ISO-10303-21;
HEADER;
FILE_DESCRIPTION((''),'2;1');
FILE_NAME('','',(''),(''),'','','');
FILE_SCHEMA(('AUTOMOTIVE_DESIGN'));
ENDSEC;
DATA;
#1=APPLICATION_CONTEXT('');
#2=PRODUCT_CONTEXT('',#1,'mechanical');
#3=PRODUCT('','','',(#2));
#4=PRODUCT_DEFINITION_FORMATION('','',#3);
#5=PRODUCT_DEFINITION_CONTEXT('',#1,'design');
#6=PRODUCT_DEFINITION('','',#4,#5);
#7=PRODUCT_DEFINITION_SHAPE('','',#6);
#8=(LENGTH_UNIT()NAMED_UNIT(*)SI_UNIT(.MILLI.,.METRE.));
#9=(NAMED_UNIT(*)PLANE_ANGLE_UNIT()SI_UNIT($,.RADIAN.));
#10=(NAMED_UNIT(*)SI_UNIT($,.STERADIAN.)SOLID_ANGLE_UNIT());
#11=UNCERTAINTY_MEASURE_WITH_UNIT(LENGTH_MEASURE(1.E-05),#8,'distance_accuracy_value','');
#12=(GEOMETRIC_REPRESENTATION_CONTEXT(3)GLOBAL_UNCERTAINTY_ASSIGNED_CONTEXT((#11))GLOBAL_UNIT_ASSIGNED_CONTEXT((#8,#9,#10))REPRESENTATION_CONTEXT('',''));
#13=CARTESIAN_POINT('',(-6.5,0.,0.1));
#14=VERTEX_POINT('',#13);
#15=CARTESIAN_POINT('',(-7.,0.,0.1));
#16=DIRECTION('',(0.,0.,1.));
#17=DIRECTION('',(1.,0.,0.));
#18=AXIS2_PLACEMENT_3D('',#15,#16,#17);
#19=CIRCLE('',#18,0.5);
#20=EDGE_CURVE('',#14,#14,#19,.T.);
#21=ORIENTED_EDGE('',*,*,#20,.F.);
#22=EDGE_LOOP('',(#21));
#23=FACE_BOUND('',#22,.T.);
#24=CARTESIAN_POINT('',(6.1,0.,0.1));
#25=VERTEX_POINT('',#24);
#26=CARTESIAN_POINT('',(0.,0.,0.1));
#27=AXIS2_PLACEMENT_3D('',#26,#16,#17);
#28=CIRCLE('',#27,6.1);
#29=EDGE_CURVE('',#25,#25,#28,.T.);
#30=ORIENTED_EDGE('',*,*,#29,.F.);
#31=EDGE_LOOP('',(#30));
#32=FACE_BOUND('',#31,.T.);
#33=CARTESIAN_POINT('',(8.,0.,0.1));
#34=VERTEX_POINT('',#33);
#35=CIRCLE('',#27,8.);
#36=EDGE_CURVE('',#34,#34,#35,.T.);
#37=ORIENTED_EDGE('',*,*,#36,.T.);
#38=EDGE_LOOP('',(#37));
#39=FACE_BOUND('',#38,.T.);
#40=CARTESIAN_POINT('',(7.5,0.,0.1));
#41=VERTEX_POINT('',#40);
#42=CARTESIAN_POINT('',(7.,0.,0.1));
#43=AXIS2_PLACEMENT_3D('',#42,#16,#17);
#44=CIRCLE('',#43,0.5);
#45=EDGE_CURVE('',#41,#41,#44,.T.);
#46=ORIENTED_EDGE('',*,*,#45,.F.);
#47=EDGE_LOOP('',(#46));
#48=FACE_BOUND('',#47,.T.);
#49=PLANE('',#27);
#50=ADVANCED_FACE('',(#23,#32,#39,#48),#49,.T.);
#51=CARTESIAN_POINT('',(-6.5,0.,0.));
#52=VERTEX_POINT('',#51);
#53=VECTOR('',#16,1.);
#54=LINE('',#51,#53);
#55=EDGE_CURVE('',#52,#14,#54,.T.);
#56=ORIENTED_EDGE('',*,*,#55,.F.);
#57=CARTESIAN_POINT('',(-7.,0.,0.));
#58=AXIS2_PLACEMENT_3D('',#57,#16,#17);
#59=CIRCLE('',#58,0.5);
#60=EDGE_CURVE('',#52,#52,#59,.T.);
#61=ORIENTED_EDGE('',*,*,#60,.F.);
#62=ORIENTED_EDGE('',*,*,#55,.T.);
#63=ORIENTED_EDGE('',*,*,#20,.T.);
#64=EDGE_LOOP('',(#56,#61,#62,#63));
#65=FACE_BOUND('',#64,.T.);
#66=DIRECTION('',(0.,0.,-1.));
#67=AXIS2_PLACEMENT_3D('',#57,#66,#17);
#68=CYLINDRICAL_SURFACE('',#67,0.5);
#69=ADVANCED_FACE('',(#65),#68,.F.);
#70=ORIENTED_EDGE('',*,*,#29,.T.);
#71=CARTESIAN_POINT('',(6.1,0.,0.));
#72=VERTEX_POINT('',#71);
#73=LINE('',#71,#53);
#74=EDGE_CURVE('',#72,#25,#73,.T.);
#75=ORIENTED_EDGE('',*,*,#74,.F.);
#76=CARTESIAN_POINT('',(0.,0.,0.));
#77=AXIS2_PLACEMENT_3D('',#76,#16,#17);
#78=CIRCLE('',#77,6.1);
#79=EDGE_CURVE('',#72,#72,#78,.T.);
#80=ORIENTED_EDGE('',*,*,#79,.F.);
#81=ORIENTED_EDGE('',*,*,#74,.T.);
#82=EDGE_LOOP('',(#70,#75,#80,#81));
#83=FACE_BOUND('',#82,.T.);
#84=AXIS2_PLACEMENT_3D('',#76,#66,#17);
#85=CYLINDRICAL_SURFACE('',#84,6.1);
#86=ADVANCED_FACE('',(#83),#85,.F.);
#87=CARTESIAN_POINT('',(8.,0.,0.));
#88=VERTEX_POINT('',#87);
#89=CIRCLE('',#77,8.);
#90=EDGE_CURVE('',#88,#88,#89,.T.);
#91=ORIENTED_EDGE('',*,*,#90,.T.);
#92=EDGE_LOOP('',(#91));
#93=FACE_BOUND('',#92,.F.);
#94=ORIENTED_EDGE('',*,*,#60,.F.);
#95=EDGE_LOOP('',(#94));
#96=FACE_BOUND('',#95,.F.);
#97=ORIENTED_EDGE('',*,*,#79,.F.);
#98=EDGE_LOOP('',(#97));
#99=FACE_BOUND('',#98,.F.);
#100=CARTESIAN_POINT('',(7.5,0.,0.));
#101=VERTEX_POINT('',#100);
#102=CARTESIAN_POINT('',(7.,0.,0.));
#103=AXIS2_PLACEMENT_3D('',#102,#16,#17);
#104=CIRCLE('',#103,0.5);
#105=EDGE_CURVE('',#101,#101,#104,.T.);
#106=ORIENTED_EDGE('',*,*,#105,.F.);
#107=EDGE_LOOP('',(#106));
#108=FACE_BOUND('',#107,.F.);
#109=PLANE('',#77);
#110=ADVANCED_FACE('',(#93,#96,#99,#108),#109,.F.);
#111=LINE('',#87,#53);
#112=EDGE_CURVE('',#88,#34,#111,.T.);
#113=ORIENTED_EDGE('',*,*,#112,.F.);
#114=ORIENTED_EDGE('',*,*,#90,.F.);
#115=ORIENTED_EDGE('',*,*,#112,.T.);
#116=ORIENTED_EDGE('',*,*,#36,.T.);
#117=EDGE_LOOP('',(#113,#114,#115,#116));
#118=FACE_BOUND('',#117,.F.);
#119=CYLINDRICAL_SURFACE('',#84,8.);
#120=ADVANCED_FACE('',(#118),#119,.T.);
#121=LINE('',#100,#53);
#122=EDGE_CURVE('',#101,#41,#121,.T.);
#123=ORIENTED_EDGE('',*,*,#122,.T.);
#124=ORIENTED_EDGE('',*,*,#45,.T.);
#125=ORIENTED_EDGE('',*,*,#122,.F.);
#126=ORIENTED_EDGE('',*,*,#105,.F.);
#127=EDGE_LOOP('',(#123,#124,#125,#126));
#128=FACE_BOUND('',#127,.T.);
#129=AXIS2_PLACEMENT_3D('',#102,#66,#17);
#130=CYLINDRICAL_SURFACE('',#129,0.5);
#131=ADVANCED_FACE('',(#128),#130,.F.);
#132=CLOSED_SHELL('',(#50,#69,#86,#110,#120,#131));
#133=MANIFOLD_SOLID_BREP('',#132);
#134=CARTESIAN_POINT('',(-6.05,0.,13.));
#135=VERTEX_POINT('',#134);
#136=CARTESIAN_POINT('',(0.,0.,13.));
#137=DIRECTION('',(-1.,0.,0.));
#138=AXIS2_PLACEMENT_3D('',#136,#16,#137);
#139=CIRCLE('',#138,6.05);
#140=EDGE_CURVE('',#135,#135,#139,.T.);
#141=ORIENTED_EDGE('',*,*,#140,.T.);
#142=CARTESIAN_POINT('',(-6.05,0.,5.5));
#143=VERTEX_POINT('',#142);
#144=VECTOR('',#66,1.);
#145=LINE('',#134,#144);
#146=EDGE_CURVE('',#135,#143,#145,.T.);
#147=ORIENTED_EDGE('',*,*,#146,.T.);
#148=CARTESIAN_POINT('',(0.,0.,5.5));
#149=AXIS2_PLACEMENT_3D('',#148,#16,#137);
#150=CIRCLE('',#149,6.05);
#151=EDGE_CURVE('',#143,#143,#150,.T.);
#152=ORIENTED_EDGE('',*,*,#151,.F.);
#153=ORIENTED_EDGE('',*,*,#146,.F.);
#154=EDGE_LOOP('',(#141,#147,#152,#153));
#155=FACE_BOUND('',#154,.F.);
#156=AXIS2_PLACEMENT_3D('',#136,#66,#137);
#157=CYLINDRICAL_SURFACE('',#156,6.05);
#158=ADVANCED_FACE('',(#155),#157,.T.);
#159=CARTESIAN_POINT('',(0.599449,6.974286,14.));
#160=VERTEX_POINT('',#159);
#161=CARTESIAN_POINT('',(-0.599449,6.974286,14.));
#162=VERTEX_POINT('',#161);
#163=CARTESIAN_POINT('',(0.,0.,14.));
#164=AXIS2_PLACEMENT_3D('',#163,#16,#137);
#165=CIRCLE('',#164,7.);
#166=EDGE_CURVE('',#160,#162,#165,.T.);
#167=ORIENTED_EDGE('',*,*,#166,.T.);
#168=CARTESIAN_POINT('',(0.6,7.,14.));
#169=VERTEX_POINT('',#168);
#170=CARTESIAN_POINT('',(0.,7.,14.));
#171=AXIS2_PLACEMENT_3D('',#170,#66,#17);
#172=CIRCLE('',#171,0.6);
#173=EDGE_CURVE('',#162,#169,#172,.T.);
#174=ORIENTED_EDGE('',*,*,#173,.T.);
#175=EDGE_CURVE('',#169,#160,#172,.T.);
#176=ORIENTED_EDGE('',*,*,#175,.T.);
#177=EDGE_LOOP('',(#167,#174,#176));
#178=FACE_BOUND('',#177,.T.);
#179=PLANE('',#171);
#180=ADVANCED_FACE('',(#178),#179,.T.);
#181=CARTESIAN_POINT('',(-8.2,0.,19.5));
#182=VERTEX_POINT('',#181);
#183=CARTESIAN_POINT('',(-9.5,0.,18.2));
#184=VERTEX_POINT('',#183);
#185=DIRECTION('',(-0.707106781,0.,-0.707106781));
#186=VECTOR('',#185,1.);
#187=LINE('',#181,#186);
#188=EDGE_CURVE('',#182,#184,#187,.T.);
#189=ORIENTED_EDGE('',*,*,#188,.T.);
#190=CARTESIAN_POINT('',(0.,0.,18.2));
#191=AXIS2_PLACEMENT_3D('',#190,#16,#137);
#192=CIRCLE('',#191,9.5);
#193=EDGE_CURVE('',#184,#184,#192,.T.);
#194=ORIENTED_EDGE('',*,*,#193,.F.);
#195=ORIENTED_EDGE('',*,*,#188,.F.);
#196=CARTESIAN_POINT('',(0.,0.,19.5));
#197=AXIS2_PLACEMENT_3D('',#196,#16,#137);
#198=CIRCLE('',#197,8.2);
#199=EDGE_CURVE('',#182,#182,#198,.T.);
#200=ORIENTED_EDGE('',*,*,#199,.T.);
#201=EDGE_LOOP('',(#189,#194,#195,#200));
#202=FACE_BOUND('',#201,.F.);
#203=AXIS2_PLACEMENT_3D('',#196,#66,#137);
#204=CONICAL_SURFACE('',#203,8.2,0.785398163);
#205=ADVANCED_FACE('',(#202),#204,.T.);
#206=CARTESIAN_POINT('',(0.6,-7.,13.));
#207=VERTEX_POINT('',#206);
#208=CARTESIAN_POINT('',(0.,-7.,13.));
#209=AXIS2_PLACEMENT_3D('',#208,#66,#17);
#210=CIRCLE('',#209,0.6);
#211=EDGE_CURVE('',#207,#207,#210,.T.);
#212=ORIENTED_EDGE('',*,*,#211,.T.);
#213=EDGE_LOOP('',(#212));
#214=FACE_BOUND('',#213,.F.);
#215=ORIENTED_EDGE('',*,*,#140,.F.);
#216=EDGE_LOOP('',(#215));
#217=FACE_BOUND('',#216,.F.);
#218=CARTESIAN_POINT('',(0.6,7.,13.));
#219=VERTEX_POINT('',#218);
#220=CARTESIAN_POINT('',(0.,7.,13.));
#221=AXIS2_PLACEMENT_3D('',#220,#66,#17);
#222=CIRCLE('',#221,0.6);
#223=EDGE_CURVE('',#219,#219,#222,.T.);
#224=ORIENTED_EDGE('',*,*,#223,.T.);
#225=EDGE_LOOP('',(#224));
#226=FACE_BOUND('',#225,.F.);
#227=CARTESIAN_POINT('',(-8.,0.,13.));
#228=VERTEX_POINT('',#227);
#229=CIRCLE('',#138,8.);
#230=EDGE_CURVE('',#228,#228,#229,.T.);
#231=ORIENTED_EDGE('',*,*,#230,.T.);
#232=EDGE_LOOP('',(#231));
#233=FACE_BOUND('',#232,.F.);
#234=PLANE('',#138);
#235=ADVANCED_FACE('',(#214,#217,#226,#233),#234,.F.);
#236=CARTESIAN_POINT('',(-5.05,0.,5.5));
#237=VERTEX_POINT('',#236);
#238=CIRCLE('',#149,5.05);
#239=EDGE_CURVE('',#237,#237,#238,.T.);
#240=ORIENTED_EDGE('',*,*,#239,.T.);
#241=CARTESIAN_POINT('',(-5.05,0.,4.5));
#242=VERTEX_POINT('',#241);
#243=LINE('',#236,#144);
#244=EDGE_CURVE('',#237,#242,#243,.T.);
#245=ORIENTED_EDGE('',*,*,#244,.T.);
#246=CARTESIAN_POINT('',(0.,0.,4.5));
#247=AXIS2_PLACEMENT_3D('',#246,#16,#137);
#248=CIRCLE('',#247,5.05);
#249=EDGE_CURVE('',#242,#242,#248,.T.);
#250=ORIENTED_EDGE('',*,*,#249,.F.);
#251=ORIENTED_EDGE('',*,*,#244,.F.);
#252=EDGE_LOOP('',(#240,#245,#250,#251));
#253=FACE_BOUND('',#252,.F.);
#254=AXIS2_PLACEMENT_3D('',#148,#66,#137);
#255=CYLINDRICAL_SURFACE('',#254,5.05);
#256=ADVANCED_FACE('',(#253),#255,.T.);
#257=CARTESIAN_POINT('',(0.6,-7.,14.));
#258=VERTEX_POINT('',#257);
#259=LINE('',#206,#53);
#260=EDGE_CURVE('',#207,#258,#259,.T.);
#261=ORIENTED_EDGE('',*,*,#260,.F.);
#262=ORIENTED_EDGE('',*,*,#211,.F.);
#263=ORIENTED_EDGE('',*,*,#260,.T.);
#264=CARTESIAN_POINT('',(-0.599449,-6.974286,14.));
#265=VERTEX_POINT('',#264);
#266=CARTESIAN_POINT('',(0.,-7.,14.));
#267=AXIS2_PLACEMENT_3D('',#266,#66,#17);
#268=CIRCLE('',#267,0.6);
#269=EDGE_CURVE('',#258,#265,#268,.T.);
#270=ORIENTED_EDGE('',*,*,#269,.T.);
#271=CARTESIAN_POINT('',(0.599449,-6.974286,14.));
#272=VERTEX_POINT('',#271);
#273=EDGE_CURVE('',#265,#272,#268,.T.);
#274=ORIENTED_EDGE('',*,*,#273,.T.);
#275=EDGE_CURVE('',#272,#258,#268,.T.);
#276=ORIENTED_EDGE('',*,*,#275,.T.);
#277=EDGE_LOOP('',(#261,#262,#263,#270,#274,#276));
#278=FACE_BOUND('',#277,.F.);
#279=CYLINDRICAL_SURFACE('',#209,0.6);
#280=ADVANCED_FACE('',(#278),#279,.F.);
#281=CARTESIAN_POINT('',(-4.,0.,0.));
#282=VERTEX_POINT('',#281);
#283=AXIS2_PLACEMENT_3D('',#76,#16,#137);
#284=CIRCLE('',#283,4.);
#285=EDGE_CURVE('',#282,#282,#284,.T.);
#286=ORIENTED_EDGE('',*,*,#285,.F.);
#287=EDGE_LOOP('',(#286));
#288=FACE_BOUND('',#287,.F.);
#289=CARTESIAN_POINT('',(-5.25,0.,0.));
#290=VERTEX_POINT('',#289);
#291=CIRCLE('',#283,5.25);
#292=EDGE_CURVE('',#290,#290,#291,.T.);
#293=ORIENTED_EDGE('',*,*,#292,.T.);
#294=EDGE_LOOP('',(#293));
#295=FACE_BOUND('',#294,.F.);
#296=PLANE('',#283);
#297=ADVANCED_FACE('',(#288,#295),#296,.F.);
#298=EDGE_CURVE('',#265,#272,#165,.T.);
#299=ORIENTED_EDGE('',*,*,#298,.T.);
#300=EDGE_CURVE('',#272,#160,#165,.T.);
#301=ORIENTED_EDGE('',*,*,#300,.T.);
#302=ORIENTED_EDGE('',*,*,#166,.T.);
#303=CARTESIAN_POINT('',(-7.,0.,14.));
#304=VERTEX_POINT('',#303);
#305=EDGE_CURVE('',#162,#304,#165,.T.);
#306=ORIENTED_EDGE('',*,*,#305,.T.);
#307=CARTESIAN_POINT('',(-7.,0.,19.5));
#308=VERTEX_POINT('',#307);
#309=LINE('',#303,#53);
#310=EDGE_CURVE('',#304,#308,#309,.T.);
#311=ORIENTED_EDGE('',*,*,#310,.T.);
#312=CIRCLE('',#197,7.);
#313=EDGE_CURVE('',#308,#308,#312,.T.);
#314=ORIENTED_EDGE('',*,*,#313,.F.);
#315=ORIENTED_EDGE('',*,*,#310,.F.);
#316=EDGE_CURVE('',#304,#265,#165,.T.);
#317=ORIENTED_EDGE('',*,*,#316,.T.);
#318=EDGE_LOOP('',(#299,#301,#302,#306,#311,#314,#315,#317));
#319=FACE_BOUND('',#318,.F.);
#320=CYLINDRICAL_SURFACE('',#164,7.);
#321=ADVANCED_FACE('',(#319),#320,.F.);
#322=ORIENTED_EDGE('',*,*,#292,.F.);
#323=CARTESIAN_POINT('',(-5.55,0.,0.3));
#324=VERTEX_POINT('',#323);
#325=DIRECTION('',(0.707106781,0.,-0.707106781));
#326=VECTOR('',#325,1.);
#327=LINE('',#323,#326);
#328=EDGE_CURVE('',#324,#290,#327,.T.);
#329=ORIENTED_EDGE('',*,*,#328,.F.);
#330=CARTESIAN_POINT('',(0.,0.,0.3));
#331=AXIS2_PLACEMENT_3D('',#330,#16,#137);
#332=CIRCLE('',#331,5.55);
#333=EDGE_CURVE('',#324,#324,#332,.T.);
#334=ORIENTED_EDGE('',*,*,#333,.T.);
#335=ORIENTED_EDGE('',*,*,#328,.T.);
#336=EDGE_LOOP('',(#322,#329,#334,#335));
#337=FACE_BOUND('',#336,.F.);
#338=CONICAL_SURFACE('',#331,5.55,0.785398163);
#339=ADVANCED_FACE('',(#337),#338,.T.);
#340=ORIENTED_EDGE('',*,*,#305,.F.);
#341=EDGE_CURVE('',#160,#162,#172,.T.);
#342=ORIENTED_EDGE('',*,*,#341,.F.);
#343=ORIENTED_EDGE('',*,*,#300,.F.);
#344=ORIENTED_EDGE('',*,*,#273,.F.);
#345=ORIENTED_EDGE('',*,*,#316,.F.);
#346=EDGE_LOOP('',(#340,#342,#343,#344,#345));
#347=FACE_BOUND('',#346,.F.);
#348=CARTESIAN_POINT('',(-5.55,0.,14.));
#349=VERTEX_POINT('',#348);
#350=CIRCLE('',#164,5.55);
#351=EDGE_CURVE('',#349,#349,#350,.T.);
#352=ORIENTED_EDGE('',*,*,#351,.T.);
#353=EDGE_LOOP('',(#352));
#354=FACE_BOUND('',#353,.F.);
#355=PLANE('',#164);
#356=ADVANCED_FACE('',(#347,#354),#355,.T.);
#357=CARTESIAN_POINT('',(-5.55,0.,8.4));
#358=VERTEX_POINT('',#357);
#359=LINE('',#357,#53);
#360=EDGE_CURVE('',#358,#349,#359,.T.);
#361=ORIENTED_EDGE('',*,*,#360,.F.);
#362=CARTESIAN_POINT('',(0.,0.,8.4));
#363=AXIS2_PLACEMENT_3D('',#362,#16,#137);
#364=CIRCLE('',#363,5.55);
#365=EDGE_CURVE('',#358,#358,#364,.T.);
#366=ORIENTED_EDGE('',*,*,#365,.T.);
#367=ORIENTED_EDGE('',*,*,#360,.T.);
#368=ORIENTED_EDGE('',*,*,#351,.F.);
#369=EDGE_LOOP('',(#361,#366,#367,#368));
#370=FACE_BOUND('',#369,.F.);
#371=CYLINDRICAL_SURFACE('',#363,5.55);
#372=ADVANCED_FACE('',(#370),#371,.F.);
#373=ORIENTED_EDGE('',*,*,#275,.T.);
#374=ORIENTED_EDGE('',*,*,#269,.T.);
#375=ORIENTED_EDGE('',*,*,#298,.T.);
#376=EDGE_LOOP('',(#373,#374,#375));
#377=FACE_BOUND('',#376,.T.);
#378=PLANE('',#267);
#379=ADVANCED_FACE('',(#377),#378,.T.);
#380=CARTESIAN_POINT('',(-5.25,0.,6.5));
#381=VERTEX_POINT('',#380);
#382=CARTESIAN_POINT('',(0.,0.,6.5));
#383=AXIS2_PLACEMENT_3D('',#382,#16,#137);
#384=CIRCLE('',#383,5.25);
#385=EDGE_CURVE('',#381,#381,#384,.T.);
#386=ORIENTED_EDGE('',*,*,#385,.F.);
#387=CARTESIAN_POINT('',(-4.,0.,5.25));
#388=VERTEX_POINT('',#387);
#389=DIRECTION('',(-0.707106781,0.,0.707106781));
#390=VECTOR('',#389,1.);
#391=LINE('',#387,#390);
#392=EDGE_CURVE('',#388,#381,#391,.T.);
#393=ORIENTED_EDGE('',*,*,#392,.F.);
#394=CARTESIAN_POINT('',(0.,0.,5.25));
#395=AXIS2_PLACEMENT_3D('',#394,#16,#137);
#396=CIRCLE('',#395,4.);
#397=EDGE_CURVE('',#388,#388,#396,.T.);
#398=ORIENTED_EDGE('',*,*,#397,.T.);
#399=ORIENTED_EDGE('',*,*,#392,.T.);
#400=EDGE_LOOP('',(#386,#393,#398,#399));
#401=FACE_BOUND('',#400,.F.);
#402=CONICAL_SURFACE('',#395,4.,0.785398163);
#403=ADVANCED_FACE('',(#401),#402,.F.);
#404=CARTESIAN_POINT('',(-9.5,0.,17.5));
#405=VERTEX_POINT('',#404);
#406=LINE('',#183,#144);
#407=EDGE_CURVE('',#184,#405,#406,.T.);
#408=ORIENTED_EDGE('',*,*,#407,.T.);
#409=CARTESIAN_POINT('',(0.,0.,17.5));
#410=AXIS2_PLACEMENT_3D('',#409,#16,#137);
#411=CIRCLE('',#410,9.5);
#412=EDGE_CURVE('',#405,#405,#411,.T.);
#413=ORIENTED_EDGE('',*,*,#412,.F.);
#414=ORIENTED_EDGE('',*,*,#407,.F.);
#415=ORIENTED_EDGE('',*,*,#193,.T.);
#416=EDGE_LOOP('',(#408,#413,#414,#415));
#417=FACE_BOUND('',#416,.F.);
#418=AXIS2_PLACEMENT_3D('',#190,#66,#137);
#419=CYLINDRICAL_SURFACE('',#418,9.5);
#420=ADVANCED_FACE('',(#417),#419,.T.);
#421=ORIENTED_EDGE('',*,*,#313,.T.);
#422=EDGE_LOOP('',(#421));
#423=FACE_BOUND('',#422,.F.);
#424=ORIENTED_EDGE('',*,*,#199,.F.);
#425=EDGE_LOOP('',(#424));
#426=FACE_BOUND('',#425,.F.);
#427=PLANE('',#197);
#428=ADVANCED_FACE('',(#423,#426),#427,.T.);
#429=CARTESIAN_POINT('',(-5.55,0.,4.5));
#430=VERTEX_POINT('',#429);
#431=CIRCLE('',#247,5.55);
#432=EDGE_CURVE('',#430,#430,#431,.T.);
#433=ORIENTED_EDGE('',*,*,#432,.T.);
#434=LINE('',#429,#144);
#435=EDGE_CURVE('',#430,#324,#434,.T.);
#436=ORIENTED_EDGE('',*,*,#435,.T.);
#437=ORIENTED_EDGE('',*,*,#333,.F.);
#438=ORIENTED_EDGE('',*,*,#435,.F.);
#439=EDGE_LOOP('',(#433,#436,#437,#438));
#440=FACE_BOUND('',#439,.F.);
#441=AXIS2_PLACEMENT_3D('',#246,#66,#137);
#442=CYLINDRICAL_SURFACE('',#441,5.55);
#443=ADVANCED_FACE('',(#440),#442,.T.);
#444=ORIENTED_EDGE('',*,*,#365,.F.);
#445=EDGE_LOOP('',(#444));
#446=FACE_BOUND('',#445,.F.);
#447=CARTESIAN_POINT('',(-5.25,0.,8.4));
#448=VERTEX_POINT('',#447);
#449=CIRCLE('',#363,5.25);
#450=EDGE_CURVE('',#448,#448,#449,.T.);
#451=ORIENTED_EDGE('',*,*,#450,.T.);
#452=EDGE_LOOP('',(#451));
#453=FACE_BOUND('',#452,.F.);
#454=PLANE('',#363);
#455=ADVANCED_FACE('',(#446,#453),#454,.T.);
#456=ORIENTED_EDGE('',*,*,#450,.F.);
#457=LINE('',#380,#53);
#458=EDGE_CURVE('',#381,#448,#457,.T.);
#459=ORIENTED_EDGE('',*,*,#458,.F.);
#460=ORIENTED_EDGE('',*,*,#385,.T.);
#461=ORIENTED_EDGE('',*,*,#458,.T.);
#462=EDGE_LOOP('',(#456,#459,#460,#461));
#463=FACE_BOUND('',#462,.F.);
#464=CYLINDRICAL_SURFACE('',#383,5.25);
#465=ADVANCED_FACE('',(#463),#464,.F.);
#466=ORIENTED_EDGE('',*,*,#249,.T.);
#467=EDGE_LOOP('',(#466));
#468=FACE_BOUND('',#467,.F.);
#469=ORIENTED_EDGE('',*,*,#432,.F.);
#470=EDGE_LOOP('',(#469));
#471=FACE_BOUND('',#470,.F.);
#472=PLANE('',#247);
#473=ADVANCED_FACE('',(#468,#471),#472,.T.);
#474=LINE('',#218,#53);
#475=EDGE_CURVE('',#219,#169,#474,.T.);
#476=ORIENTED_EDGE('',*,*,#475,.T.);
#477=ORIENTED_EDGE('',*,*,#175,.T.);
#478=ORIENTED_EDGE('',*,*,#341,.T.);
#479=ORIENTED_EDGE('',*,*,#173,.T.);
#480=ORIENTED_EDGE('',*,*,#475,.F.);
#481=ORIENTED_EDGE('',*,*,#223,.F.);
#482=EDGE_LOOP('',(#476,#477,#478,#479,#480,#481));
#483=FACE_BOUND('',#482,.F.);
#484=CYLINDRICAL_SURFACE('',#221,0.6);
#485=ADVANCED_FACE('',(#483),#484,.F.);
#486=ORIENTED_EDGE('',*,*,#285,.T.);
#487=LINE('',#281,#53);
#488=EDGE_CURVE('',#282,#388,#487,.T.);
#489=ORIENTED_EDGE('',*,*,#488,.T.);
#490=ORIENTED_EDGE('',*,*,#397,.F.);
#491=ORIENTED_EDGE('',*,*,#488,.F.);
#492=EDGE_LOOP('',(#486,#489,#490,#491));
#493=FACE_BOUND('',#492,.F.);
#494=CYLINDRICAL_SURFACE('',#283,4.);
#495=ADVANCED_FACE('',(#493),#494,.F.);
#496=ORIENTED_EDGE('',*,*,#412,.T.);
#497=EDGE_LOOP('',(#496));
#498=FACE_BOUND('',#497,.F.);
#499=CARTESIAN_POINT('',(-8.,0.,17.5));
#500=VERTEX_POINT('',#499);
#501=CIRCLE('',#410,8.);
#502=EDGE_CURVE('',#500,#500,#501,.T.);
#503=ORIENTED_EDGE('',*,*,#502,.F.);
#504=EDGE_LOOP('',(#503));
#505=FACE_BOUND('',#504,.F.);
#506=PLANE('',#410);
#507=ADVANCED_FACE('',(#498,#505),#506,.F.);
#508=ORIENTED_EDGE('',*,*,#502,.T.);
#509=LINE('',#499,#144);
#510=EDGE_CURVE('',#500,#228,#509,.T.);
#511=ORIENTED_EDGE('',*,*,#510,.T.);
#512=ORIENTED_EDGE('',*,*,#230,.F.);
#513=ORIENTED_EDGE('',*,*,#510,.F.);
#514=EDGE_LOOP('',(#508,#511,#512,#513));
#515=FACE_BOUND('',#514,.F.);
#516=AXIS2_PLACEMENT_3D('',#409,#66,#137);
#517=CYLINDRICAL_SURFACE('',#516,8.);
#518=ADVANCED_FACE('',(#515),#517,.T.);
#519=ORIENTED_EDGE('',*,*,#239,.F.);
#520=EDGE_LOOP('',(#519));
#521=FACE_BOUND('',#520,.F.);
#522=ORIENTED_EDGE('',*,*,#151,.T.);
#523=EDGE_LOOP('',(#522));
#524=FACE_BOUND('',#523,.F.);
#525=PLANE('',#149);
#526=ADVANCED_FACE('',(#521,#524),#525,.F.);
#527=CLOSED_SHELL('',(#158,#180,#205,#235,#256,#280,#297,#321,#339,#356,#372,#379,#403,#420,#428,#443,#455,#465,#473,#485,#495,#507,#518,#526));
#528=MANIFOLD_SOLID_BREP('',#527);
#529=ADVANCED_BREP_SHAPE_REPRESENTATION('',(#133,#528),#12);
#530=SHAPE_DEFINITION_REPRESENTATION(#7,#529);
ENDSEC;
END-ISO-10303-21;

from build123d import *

# Parameters (mm, degrees)
F2_R     = 0.6
F3_DEPTH = 1
F4_R     = 8
F4_R_2   = 0.5
F4_R_3   = 6.1
F5_DEPTH = 0.1


with BuildPart() as f1:
    # F0 (on Front) → F1 (revolve)
    with BuildSketch(Plane.XZ):
        Polygon((-5.25, 0), (-4, 0), (-4, 5.25), (-5.25, 6.5), (-5.25, 8.4), (-5.55, 8.4), (-5.55, 14), (-7, 14), (-7, 19.5), (-8.2, 19.5), (-9.5, 18.2), (-9.5, 17.5), (-8, 17.5), (-8, 13), (-6.05, 13), (-6.05, 5.5), (-5.05, 5.5), (-5.05, 4.5), (-5.55, 4.5), (-5.55, 0.3), align=None)
    revolve(axis=Axis((0, 0, 9.75), (0, 0, 1)))

    # F2 (on face) → F3 (cut)
    with BuildSketch(Plane(origin=(0, 0, 13), x_dir=(1, 0, 0), z_dir=(0, 0, -1))):
        with Locations((0, 7)):
            Circle(F2_R)
        with Locations((0, -7)):
            Circle(F2_R)
    extrude(amount=-F3_DEPTH, mode=Mode.SUBTRACT)


with BuildPart() as f5:
    # F4 (on Top) → F5 (new body)
    with BuildSketch(Plane.XY):
        Circle(F4_R)
        with Locations((-7, 0)):
            Circle(F4_R_2, mode=Mode.SUBTRACT)
        Circle(F4_R_3, mode=Mode.SUBTRACT)
        with Locations((7, 0)):
            Circle(F4_R_2, mode=Mode.SUBTRACT)
    extrude(amount=F5_DEPTH)


solid = Compound([f1.part, f5.part])
